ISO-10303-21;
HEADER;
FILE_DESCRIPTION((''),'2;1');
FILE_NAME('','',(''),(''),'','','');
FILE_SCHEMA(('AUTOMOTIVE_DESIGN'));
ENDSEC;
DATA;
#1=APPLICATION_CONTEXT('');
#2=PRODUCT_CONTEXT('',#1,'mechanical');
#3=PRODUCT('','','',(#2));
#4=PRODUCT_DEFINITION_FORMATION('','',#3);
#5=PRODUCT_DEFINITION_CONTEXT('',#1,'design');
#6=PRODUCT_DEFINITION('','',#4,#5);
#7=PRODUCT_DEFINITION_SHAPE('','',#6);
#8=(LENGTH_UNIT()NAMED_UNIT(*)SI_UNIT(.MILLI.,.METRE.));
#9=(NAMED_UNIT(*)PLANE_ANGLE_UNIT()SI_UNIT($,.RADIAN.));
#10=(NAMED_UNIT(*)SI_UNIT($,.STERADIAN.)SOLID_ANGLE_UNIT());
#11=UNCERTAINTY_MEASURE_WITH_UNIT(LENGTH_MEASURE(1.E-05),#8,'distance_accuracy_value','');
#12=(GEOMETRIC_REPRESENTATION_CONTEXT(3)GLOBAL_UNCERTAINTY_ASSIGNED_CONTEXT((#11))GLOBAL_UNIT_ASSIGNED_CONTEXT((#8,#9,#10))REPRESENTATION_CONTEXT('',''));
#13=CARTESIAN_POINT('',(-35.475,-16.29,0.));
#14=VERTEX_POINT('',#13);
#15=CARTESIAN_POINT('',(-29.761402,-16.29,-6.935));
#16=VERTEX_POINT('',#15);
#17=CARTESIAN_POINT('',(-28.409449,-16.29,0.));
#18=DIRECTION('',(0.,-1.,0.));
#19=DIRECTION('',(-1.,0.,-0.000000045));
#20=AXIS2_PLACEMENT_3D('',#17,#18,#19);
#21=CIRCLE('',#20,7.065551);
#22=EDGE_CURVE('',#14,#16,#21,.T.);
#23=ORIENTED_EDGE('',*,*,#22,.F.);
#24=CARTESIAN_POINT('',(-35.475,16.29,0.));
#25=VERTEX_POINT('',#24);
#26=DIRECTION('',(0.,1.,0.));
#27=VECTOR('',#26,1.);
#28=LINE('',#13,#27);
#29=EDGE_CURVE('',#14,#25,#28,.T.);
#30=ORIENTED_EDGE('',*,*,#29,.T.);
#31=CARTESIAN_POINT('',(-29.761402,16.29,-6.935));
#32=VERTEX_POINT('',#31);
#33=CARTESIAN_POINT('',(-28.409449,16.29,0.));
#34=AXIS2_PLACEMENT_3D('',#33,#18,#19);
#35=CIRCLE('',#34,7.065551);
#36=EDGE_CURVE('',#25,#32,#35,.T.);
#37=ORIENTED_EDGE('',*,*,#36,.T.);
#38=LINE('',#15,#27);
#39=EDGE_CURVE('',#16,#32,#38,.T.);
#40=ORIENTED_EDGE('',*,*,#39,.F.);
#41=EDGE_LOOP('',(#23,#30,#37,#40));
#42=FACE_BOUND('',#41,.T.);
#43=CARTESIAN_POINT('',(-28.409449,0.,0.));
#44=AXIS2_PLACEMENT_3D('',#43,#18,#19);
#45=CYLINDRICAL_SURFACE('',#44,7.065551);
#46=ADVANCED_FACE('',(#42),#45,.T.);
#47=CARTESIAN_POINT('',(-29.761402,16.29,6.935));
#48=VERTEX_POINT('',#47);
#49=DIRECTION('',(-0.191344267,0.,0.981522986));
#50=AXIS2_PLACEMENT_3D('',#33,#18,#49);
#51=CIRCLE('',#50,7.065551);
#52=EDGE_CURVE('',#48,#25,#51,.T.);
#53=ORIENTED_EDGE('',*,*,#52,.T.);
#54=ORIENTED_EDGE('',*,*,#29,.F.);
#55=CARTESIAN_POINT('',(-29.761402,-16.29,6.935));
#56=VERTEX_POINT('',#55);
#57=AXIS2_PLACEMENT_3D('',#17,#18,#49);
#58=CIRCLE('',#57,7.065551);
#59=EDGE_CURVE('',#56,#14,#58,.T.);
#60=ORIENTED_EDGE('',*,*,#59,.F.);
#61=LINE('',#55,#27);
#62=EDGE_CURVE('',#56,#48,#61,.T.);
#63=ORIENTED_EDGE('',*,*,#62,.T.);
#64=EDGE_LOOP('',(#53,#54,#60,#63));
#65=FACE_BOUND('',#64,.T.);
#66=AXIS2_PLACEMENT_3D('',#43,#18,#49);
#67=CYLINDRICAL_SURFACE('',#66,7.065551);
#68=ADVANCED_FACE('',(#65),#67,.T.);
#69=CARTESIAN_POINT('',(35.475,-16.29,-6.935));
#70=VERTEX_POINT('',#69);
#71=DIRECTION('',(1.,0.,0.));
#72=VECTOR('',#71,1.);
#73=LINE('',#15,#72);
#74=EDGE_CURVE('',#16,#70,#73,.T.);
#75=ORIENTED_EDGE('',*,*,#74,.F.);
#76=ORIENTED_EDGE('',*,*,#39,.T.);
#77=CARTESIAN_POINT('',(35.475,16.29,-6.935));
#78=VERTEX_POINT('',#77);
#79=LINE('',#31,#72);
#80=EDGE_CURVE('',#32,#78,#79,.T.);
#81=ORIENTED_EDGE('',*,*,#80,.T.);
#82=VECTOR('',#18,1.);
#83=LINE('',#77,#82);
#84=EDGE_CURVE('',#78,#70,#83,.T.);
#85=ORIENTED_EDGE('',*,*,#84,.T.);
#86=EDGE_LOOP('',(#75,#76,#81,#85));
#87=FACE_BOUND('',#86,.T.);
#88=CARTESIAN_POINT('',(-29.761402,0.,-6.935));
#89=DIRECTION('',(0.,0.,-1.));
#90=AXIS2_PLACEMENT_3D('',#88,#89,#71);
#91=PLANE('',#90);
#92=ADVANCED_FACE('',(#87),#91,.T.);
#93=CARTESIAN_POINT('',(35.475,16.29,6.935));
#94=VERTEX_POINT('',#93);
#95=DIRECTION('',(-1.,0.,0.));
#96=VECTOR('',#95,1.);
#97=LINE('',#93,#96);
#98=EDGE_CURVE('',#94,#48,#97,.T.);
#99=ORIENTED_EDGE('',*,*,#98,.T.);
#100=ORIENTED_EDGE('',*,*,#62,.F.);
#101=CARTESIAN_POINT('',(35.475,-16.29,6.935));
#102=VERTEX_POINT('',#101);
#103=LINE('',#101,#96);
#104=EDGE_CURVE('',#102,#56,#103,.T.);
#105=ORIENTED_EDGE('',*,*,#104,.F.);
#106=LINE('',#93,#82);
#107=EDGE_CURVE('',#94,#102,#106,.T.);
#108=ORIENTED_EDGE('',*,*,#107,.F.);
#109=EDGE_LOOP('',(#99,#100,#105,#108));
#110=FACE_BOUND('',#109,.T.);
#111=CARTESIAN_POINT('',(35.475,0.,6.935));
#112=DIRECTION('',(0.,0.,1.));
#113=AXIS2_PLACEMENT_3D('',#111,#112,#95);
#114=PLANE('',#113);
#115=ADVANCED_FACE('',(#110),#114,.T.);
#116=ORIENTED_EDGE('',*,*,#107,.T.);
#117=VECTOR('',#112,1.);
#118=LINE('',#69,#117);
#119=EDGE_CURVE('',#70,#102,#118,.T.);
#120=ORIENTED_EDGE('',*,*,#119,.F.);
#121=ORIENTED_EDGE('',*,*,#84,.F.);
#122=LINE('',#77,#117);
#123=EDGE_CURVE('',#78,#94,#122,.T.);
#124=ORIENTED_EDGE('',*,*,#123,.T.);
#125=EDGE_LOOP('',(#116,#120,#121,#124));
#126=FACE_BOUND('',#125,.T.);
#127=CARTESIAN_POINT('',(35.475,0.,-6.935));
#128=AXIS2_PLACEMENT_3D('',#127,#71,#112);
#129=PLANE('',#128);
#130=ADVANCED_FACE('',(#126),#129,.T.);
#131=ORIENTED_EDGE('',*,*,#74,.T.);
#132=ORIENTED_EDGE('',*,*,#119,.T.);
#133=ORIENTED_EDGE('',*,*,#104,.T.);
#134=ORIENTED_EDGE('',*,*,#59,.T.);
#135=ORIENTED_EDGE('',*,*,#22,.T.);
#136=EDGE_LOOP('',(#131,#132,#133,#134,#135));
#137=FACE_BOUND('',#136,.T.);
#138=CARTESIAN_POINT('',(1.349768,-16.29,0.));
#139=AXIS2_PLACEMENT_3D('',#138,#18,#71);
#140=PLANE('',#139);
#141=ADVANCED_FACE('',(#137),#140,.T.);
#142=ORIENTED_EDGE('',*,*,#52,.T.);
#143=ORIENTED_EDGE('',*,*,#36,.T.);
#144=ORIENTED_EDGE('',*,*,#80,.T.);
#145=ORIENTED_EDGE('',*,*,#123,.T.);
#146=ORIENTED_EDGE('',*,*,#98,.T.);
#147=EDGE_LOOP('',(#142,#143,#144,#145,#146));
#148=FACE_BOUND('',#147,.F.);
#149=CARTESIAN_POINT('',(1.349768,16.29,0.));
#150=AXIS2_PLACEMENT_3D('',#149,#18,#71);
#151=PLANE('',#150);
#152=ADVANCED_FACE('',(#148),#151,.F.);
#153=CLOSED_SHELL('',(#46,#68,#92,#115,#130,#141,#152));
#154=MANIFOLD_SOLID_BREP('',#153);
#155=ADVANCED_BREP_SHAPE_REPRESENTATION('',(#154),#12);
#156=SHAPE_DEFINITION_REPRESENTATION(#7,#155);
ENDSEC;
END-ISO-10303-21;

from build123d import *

# Parameters (mm, degrees)
F1_DEPTH = 16.29


with BuildPart() as f1:
    # F0 (on Front) → F1 (new body, symmetric)
    with BuildSketch(Plane.XZ):
        with BuildLine():
            Line((-29.761402, -6.935), (35.475, -6.935))
            Line((35.475, -6.935), (35.475, 6.935))
            Line((35.475, 6.935), (-29.761402, 6.935))
            ThreePointArc((-29.761402, 6.935), (-33.862627, 4.492756), (-35.475, 0))
            ThreePointArc((-35.475, 0), (-33.862627, -4.492756), (-29.761402, -6.935))
        make_face()
    extrude(amount=F1_DEPTH, both=True)


solid = f1.part
